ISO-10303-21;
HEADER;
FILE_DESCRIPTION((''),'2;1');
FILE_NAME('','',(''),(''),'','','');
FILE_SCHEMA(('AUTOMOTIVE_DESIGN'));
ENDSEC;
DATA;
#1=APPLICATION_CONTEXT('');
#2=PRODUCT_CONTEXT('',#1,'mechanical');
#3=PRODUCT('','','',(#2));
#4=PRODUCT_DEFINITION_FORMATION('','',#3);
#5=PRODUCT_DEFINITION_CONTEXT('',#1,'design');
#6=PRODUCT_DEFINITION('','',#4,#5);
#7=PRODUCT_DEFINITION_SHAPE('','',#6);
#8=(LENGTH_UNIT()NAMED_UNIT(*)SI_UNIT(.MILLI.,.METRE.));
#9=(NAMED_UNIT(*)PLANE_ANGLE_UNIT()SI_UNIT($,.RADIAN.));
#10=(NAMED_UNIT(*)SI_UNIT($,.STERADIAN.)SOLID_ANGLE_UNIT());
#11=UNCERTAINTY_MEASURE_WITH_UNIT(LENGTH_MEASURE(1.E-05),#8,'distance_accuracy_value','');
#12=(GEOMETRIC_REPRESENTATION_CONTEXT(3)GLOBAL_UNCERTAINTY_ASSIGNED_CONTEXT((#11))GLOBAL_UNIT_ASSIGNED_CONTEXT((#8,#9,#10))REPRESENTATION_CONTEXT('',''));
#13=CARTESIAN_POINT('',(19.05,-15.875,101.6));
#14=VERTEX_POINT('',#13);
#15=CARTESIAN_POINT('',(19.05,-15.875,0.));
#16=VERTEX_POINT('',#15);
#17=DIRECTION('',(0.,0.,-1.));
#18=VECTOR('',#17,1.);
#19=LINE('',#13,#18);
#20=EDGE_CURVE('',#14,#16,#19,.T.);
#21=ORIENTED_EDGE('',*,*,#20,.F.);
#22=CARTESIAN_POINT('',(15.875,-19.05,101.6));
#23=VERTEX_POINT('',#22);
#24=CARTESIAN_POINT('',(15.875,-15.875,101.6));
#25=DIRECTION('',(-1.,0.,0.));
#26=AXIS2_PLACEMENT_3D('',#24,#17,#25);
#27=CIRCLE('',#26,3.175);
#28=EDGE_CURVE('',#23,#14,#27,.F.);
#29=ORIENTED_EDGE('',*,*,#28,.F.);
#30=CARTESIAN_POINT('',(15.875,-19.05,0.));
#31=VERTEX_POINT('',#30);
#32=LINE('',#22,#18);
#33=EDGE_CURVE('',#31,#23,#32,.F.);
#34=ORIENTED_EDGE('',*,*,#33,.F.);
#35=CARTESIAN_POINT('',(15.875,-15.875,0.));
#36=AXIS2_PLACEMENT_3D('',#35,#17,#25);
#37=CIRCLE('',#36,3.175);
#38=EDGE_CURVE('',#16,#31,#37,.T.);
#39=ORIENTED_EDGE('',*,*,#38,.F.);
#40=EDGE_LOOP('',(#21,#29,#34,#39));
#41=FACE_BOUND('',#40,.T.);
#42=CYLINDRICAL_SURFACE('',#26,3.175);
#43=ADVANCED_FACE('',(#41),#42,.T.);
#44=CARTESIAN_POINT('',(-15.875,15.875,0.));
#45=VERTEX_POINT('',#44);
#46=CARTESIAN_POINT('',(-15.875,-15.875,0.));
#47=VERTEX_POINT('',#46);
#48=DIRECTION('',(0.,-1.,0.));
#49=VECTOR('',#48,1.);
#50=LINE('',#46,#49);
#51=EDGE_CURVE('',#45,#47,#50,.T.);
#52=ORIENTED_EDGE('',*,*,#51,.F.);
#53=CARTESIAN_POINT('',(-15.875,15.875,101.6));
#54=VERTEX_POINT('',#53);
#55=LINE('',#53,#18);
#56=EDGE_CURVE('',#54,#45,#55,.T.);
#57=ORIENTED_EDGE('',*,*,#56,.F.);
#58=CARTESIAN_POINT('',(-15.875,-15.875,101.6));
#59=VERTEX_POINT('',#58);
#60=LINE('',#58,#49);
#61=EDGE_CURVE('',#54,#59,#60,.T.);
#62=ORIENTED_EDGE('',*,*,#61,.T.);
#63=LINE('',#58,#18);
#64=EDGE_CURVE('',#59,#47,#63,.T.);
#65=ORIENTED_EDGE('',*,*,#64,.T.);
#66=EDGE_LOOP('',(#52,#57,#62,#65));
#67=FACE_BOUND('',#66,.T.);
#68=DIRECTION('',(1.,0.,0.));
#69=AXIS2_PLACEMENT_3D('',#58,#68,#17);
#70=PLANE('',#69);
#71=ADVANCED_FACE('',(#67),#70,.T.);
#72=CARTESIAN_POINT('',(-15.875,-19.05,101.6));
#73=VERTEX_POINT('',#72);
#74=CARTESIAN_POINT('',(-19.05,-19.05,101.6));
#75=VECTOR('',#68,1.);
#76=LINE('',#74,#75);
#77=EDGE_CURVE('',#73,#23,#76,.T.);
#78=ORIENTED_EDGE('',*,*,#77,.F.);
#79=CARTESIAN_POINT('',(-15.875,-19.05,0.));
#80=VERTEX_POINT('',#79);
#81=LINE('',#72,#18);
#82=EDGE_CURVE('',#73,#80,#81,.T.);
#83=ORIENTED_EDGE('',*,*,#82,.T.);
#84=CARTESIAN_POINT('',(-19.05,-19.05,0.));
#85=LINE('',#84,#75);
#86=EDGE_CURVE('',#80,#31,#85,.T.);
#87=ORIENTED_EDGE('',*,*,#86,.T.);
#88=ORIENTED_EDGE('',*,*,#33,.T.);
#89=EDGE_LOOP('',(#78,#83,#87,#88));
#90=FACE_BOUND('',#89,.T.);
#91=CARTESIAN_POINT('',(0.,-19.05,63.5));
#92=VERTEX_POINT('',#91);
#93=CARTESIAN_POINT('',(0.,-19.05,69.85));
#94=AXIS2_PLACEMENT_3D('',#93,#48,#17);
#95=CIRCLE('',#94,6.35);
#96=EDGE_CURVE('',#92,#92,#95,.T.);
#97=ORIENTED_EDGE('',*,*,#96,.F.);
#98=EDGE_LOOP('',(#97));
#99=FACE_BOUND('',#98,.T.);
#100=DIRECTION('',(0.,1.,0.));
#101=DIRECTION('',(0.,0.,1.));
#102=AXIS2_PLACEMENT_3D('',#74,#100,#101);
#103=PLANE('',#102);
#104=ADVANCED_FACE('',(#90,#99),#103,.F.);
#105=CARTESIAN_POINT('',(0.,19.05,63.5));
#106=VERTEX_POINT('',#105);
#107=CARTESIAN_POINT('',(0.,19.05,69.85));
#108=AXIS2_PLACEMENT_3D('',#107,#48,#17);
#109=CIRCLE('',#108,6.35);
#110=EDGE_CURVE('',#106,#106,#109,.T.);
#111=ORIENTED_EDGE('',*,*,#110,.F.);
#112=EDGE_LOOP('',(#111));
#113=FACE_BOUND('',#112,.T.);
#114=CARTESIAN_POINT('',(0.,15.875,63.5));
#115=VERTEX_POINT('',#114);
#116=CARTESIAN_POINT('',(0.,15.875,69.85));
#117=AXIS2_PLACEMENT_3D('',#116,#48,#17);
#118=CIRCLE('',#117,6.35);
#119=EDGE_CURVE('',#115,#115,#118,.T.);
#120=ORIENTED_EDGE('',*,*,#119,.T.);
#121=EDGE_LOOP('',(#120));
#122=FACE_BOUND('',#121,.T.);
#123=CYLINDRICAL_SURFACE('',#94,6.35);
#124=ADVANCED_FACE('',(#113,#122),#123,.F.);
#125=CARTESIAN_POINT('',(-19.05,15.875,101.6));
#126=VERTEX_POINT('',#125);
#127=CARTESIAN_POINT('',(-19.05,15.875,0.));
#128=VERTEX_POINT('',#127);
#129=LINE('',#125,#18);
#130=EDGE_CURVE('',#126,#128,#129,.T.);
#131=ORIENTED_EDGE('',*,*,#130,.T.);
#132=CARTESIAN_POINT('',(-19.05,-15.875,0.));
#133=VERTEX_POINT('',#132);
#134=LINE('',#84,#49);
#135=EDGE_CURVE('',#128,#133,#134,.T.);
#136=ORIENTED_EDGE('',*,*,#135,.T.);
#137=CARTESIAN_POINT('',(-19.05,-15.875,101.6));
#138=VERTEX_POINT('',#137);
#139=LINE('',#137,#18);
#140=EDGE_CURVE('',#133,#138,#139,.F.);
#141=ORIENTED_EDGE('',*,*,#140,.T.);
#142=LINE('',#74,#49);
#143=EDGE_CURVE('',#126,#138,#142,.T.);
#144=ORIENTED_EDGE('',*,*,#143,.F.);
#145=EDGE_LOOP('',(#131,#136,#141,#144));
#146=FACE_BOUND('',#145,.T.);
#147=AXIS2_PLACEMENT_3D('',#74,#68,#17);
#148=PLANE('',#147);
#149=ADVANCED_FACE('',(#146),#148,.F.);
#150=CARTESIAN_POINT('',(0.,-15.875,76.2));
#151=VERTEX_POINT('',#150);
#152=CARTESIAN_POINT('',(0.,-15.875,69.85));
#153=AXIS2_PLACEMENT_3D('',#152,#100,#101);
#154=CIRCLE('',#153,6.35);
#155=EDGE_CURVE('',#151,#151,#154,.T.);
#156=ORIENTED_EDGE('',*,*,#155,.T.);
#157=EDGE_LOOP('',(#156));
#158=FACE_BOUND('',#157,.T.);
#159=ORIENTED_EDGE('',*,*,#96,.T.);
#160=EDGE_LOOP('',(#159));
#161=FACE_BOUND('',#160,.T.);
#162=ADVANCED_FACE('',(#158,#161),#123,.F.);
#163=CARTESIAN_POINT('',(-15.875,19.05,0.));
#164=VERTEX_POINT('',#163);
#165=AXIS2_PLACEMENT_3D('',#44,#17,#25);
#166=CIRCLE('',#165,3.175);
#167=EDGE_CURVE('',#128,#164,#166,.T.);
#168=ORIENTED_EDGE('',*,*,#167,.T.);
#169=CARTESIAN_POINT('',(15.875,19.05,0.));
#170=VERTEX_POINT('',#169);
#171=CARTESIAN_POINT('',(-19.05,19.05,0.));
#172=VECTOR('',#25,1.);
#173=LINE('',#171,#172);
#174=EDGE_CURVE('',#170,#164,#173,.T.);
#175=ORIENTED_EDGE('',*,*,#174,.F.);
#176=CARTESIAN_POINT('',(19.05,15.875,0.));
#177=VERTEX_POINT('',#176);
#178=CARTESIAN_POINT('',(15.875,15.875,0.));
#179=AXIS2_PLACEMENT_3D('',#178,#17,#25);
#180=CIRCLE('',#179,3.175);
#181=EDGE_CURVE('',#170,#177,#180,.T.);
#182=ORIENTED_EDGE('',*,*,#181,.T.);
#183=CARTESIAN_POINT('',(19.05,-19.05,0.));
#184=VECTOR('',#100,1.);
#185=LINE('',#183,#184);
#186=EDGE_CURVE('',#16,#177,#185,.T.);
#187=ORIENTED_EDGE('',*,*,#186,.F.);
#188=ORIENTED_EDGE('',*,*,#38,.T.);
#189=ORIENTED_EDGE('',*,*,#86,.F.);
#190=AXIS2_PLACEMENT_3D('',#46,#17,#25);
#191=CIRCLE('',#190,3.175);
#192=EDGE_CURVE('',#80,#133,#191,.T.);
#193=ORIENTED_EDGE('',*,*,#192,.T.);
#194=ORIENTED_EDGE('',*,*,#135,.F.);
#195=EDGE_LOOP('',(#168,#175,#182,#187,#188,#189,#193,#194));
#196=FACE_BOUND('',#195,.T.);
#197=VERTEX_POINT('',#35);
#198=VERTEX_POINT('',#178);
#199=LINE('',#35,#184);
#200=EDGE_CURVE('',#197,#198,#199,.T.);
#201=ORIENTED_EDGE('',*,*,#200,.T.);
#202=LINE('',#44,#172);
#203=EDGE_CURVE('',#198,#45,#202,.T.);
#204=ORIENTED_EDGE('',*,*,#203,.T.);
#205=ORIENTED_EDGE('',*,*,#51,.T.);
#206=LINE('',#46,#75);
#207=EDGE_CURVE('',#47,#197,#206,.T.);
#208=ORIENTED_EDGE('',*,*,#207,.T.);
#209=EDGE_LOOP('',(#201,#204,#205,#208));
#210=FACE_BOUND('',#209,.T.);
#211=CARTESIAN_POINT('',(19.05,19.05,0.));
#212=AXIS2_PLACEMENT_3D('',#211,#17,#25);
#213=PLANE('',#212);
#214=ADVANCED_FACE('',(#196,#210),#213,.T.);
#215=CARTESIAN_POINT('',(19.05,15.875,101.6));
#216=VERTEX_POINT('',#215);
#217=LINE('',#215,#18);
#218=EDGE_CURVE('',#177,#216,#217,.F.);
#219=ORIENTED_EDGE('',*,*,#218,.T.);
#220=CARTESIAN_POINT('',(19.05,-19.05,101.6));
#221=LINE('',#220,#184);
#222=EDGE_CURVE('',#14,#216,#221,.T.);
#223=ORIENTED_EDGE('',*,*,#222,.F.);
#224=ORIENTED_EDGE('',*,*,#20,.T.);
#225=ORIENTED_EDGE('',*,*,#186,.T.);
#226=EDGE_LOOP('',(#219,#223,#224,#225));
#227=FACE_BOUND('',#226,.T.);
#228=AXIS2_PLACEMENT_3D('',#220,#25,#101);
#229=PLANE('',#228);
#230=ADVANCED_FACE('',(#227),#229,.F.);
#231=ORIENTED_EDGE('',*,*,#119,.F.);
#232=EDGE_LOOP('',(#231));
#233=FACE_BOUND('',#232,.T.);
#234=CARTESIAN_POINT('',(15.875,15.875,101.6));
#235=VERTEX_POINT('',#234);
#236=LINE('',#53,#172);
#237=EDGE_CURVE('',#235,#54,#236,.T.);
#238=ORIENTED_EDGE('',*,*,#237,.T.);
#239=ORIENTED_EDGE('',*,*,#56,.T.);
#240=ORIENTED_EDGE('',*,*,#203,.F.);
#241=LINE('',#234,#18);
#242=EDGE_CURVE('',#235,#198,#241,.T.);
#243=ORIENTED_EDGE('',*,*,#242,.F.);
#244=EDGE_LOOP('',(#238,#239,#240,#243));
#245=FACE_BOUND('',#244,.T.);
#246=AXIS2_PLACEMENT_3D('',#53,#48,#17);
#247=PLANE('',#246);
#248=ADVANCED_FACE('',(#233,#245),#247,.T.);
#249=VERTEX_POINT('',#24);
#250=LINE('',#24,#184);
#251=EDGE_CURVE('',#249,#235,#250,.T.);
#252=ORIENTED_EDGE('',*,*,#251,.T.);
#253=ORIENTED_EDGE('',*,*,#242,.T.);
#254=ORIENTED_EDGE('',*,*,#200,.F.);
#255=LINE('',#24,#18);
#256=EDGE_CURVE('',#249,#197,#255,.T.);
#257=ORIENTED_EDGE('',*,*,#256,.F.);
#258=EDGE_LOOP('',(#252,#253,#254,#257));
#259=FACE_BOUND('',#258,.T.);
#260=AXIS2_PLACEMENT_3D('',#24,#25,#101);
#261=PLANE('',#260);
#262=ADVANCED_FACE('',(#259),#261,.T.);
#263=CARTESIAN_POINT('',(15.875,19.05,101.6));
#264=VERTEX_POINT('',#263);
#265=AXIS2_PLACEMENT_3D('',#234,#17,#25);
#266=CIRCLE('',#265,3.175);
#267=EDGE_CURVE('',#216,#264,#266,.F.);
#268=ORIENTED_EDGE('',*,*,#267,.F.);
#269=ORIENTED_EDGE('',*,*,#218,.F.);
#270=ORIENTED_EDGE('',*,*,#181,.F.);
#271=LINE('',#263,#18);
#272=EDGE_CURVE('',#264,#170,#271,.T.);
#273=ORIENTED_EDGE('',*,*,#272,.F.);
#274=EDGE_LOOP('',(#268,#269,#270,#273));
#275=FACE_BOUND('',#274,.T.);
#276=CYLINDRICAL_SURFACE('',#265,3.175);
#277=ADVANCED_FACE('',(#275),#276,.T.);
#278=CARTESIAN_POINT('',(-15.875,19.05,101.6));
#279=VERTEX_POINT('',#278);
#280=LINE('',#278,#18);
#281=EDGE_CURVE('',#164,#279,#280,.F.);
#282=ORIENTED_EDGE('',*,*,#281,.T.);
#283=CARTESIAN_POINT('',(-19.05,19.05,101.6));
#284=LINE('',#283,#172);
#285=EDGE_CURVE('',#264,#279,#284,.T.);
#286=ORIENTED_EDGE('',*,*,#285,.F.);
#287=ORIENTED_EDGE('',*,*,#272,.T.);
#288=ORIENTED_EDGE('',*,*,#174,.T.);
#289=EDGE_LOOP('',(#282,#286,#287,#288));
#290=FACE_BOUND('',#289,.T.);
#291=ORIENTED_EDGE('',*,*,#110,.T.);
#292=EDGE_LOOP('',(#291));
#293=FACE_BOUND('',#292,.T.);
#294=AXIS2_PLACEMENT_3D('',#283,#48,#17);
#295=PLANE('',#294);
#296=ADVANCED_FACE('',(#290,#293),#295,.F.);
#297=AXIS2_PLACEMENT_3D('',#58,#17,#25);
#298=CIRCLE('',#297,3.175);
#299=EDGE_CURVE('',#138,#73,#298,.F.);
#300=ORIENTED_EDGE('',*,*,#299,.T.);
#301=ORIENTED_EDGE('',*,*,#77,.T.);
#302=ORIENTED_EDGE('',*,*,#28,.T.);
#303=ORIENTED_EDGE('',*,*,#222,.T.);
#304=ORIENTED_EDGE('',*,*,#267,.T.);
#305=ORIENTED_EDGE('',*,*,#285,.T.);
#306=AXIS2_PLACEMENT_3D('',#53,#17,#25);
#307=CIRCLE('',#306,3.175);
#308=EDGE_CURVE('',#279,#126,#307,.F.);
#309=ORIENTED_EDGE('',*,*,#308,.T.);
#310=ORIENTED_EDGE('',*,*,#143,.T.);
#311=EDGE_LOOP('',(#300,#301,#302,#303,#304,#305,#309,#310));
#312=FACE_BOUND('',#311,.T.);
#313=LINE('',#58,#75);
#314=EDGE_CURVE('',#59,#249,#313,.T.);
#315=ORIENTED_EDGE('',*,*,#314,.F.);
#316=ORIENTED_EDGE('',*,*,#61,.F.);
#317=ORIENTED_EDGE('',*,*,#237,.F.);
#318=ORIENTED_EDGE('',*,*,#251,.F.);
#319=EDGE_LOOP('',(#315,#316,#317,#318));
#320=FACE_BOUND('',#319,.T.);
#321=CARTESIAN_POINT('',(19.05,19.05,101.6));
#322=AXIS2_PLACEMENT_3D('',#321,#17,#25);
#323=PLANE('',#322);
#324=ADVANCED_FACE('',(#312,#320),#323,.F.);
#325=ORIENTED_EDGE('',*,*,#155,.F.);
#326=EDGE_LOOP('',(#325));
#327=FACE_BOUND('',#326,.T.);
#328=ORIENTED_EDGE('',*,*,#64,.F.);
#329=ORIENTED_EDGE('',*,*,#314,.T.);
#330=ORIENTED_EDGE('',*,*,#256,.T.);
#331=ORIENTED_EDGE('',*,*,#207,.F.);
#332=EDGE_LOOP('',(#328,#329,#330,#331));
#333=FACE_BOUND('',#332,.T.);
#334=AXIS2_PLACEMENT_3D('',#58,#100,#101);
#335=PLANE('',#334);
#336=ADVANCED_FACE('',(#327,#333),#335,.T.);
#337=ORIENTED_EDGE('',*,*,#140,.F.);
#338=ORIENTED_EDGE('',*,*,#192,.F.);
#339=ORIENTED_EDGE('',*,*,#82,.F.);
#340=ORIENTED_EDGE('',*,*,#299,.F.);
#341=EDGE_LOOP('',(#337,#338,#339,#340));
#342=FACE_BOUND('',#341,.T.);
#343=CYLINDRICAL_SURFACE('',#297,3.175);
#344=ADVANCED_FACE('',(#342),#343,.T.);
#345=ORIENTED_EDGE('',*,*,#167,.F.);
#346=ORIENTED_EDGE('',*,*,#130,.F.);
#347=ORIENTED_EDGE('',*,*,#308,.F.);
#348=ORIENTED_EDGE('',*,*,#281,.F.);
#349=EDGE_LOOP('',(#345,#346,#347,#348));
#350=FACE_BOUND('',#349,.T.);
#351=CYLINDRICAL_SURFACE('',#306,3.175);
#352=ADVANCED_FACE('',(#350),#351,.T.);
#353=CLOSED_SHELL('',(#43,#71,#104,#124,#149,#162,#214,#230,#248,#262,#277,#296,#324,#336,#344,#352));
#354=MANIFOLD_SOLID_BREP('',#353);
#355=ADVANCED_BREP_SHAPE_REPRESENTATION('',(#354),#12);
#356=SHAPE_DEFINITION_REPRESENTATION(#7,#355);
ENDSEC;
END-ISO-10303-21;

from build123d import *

# Parameters (mm, degrees)
SKETCH1_W                  = 38.1
SKETCH1_H                  = 38.1
SKETCH1_W_2                = 31.75
SKETCH1_H_2                = 31.75
EXTRUDE1_DEPTH             = 101.6
FILLET1_R                  = 3.175
F_1_2_0_5_DIAMETER_HOLE1_D = 12.7


with BuildPart() as part:
    # Sketch1 → Extrude1 (new body)
    with BuildSketch(Plane.XY):
        Rectangle(SKETCH1_W, SKETCH1_H)
        Rectangle(SKETCH1_W_2, SKETCH1_H_2, mode=Mode.SUBTRACT)
    extrude(amount=EXTRUDE1_DEPTH)

    # Fillet1
    fillet1_edges = [part.edges().sort_by_distance(p)[0] for p in [
        (19.05, -19.05, 50.8),
        (-19.05, -19.05, 50.8),
        (-19.05, 19.05, 50.8),
        (19.05, 19.05, 50.8),
    ]]
    fillet(fillet1_edges, radius=FILLET1_R)

    # 1/2 (0.5) Diameter Hole1 (through all)
    with Locations(Plane.XZ.offset(19.05)):
        with Locations((0, 69.85)):
            Hole(F_1_2_0_5_DIAMETER_HOLE1_D / 2)


solid = part.part
